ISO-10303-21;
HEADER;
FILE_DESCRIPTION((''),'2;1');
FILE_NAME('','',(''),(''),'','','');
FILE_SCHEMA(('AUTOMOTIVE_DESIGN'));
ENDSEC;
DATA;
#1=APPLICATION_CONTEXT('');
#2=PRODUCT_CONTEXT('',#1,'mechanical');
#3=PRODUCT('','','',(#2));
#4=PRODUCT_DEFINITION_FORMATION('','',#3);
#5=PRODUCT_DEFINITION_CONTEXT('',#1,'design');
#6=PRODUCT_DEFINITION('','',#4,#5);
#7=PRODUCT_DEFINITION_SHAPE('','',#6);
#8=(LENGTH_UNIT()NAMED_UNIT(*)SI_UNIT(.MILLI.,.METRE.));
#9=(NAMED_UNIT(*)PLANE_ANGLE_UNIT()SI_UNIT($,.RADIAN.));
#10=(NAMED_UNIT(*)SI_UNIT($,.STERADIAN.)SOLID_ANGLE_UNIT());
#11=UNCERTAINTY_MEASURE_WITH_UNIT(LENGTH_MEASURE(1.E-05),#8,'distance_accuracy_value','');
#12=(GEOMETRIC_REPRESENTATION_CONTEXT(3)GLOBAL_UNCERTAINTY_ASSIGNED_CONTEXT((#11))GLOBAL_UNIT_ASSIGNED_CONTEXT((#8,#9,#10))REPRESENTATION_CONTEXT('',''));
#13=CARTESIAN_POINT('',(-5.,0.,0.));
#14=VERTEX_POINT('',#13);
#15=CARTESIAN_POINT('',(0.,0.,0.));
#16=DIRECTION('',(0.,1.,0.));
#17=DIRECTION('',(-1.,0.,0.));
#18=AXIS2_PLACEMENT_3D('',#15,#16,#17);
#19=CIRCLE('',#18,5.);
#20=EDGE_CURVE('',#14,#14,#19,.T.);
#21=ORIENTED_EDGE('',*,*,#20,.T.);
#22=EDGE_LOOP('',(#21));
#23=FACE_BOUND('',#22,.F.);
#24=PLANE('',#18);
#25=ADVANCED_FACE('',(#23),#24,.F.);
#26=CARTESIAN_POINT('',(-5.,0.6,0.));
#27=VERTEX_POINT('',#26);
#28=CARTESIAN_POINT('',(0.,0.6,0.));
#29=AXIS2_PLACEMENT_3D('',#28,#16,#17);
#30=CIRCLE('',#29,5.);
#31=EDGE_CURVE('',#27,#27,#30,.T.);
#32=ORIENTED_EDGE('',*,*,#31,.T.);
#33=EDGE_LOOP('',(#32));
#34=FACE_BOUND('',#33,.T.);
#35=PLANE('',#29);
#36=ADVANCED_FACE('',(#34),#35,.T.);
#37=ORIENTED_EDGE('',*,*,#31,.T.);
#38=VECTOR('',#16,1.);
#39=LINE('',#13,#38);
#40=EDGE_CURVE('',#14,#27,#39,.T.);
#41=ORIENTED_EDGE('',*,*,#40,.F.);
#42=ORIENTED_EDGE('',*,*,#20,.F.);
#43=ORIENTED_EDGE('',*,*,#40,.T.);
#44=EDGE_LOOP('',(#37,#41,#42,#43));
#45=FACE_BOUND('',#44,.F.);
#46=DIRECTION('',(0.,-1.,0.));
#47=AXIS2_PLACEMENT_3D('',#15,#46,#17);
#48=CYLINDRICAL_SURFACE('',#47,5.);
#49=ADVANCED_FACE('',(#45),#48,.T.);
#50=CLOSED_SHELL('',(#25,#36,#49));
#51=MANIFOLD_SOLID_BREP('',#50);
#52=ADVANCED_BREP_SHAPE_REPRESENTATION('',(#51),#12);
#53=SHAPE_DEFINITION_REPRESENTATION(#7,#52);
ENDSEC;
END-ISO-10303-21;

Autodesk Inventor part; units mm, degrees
ref_plane "YZ Plane" through (0, 0, 0) normal (1, 0, 0) x (0, 1, 0)
ref_plane "XZ Plane" through (0, 0, 0) normal (0, 1, 0) x (-1, 0, 0)
ref_plane "XY Plane" through (0, 0, 0) normal (0, 0, 1) x (1, 0, 0)
sketch "Sketch1" plane through (0, 0, 0) normal (0, 1, 0) x (-1, 0, 0)
  circle A0 centre (0, 0) radius 5
  dimension "d0" = 10
extrude "Extrusion1" add sketch "Sketch1" along normal blind 0.6
properties part number "SmallHelperCircle"
